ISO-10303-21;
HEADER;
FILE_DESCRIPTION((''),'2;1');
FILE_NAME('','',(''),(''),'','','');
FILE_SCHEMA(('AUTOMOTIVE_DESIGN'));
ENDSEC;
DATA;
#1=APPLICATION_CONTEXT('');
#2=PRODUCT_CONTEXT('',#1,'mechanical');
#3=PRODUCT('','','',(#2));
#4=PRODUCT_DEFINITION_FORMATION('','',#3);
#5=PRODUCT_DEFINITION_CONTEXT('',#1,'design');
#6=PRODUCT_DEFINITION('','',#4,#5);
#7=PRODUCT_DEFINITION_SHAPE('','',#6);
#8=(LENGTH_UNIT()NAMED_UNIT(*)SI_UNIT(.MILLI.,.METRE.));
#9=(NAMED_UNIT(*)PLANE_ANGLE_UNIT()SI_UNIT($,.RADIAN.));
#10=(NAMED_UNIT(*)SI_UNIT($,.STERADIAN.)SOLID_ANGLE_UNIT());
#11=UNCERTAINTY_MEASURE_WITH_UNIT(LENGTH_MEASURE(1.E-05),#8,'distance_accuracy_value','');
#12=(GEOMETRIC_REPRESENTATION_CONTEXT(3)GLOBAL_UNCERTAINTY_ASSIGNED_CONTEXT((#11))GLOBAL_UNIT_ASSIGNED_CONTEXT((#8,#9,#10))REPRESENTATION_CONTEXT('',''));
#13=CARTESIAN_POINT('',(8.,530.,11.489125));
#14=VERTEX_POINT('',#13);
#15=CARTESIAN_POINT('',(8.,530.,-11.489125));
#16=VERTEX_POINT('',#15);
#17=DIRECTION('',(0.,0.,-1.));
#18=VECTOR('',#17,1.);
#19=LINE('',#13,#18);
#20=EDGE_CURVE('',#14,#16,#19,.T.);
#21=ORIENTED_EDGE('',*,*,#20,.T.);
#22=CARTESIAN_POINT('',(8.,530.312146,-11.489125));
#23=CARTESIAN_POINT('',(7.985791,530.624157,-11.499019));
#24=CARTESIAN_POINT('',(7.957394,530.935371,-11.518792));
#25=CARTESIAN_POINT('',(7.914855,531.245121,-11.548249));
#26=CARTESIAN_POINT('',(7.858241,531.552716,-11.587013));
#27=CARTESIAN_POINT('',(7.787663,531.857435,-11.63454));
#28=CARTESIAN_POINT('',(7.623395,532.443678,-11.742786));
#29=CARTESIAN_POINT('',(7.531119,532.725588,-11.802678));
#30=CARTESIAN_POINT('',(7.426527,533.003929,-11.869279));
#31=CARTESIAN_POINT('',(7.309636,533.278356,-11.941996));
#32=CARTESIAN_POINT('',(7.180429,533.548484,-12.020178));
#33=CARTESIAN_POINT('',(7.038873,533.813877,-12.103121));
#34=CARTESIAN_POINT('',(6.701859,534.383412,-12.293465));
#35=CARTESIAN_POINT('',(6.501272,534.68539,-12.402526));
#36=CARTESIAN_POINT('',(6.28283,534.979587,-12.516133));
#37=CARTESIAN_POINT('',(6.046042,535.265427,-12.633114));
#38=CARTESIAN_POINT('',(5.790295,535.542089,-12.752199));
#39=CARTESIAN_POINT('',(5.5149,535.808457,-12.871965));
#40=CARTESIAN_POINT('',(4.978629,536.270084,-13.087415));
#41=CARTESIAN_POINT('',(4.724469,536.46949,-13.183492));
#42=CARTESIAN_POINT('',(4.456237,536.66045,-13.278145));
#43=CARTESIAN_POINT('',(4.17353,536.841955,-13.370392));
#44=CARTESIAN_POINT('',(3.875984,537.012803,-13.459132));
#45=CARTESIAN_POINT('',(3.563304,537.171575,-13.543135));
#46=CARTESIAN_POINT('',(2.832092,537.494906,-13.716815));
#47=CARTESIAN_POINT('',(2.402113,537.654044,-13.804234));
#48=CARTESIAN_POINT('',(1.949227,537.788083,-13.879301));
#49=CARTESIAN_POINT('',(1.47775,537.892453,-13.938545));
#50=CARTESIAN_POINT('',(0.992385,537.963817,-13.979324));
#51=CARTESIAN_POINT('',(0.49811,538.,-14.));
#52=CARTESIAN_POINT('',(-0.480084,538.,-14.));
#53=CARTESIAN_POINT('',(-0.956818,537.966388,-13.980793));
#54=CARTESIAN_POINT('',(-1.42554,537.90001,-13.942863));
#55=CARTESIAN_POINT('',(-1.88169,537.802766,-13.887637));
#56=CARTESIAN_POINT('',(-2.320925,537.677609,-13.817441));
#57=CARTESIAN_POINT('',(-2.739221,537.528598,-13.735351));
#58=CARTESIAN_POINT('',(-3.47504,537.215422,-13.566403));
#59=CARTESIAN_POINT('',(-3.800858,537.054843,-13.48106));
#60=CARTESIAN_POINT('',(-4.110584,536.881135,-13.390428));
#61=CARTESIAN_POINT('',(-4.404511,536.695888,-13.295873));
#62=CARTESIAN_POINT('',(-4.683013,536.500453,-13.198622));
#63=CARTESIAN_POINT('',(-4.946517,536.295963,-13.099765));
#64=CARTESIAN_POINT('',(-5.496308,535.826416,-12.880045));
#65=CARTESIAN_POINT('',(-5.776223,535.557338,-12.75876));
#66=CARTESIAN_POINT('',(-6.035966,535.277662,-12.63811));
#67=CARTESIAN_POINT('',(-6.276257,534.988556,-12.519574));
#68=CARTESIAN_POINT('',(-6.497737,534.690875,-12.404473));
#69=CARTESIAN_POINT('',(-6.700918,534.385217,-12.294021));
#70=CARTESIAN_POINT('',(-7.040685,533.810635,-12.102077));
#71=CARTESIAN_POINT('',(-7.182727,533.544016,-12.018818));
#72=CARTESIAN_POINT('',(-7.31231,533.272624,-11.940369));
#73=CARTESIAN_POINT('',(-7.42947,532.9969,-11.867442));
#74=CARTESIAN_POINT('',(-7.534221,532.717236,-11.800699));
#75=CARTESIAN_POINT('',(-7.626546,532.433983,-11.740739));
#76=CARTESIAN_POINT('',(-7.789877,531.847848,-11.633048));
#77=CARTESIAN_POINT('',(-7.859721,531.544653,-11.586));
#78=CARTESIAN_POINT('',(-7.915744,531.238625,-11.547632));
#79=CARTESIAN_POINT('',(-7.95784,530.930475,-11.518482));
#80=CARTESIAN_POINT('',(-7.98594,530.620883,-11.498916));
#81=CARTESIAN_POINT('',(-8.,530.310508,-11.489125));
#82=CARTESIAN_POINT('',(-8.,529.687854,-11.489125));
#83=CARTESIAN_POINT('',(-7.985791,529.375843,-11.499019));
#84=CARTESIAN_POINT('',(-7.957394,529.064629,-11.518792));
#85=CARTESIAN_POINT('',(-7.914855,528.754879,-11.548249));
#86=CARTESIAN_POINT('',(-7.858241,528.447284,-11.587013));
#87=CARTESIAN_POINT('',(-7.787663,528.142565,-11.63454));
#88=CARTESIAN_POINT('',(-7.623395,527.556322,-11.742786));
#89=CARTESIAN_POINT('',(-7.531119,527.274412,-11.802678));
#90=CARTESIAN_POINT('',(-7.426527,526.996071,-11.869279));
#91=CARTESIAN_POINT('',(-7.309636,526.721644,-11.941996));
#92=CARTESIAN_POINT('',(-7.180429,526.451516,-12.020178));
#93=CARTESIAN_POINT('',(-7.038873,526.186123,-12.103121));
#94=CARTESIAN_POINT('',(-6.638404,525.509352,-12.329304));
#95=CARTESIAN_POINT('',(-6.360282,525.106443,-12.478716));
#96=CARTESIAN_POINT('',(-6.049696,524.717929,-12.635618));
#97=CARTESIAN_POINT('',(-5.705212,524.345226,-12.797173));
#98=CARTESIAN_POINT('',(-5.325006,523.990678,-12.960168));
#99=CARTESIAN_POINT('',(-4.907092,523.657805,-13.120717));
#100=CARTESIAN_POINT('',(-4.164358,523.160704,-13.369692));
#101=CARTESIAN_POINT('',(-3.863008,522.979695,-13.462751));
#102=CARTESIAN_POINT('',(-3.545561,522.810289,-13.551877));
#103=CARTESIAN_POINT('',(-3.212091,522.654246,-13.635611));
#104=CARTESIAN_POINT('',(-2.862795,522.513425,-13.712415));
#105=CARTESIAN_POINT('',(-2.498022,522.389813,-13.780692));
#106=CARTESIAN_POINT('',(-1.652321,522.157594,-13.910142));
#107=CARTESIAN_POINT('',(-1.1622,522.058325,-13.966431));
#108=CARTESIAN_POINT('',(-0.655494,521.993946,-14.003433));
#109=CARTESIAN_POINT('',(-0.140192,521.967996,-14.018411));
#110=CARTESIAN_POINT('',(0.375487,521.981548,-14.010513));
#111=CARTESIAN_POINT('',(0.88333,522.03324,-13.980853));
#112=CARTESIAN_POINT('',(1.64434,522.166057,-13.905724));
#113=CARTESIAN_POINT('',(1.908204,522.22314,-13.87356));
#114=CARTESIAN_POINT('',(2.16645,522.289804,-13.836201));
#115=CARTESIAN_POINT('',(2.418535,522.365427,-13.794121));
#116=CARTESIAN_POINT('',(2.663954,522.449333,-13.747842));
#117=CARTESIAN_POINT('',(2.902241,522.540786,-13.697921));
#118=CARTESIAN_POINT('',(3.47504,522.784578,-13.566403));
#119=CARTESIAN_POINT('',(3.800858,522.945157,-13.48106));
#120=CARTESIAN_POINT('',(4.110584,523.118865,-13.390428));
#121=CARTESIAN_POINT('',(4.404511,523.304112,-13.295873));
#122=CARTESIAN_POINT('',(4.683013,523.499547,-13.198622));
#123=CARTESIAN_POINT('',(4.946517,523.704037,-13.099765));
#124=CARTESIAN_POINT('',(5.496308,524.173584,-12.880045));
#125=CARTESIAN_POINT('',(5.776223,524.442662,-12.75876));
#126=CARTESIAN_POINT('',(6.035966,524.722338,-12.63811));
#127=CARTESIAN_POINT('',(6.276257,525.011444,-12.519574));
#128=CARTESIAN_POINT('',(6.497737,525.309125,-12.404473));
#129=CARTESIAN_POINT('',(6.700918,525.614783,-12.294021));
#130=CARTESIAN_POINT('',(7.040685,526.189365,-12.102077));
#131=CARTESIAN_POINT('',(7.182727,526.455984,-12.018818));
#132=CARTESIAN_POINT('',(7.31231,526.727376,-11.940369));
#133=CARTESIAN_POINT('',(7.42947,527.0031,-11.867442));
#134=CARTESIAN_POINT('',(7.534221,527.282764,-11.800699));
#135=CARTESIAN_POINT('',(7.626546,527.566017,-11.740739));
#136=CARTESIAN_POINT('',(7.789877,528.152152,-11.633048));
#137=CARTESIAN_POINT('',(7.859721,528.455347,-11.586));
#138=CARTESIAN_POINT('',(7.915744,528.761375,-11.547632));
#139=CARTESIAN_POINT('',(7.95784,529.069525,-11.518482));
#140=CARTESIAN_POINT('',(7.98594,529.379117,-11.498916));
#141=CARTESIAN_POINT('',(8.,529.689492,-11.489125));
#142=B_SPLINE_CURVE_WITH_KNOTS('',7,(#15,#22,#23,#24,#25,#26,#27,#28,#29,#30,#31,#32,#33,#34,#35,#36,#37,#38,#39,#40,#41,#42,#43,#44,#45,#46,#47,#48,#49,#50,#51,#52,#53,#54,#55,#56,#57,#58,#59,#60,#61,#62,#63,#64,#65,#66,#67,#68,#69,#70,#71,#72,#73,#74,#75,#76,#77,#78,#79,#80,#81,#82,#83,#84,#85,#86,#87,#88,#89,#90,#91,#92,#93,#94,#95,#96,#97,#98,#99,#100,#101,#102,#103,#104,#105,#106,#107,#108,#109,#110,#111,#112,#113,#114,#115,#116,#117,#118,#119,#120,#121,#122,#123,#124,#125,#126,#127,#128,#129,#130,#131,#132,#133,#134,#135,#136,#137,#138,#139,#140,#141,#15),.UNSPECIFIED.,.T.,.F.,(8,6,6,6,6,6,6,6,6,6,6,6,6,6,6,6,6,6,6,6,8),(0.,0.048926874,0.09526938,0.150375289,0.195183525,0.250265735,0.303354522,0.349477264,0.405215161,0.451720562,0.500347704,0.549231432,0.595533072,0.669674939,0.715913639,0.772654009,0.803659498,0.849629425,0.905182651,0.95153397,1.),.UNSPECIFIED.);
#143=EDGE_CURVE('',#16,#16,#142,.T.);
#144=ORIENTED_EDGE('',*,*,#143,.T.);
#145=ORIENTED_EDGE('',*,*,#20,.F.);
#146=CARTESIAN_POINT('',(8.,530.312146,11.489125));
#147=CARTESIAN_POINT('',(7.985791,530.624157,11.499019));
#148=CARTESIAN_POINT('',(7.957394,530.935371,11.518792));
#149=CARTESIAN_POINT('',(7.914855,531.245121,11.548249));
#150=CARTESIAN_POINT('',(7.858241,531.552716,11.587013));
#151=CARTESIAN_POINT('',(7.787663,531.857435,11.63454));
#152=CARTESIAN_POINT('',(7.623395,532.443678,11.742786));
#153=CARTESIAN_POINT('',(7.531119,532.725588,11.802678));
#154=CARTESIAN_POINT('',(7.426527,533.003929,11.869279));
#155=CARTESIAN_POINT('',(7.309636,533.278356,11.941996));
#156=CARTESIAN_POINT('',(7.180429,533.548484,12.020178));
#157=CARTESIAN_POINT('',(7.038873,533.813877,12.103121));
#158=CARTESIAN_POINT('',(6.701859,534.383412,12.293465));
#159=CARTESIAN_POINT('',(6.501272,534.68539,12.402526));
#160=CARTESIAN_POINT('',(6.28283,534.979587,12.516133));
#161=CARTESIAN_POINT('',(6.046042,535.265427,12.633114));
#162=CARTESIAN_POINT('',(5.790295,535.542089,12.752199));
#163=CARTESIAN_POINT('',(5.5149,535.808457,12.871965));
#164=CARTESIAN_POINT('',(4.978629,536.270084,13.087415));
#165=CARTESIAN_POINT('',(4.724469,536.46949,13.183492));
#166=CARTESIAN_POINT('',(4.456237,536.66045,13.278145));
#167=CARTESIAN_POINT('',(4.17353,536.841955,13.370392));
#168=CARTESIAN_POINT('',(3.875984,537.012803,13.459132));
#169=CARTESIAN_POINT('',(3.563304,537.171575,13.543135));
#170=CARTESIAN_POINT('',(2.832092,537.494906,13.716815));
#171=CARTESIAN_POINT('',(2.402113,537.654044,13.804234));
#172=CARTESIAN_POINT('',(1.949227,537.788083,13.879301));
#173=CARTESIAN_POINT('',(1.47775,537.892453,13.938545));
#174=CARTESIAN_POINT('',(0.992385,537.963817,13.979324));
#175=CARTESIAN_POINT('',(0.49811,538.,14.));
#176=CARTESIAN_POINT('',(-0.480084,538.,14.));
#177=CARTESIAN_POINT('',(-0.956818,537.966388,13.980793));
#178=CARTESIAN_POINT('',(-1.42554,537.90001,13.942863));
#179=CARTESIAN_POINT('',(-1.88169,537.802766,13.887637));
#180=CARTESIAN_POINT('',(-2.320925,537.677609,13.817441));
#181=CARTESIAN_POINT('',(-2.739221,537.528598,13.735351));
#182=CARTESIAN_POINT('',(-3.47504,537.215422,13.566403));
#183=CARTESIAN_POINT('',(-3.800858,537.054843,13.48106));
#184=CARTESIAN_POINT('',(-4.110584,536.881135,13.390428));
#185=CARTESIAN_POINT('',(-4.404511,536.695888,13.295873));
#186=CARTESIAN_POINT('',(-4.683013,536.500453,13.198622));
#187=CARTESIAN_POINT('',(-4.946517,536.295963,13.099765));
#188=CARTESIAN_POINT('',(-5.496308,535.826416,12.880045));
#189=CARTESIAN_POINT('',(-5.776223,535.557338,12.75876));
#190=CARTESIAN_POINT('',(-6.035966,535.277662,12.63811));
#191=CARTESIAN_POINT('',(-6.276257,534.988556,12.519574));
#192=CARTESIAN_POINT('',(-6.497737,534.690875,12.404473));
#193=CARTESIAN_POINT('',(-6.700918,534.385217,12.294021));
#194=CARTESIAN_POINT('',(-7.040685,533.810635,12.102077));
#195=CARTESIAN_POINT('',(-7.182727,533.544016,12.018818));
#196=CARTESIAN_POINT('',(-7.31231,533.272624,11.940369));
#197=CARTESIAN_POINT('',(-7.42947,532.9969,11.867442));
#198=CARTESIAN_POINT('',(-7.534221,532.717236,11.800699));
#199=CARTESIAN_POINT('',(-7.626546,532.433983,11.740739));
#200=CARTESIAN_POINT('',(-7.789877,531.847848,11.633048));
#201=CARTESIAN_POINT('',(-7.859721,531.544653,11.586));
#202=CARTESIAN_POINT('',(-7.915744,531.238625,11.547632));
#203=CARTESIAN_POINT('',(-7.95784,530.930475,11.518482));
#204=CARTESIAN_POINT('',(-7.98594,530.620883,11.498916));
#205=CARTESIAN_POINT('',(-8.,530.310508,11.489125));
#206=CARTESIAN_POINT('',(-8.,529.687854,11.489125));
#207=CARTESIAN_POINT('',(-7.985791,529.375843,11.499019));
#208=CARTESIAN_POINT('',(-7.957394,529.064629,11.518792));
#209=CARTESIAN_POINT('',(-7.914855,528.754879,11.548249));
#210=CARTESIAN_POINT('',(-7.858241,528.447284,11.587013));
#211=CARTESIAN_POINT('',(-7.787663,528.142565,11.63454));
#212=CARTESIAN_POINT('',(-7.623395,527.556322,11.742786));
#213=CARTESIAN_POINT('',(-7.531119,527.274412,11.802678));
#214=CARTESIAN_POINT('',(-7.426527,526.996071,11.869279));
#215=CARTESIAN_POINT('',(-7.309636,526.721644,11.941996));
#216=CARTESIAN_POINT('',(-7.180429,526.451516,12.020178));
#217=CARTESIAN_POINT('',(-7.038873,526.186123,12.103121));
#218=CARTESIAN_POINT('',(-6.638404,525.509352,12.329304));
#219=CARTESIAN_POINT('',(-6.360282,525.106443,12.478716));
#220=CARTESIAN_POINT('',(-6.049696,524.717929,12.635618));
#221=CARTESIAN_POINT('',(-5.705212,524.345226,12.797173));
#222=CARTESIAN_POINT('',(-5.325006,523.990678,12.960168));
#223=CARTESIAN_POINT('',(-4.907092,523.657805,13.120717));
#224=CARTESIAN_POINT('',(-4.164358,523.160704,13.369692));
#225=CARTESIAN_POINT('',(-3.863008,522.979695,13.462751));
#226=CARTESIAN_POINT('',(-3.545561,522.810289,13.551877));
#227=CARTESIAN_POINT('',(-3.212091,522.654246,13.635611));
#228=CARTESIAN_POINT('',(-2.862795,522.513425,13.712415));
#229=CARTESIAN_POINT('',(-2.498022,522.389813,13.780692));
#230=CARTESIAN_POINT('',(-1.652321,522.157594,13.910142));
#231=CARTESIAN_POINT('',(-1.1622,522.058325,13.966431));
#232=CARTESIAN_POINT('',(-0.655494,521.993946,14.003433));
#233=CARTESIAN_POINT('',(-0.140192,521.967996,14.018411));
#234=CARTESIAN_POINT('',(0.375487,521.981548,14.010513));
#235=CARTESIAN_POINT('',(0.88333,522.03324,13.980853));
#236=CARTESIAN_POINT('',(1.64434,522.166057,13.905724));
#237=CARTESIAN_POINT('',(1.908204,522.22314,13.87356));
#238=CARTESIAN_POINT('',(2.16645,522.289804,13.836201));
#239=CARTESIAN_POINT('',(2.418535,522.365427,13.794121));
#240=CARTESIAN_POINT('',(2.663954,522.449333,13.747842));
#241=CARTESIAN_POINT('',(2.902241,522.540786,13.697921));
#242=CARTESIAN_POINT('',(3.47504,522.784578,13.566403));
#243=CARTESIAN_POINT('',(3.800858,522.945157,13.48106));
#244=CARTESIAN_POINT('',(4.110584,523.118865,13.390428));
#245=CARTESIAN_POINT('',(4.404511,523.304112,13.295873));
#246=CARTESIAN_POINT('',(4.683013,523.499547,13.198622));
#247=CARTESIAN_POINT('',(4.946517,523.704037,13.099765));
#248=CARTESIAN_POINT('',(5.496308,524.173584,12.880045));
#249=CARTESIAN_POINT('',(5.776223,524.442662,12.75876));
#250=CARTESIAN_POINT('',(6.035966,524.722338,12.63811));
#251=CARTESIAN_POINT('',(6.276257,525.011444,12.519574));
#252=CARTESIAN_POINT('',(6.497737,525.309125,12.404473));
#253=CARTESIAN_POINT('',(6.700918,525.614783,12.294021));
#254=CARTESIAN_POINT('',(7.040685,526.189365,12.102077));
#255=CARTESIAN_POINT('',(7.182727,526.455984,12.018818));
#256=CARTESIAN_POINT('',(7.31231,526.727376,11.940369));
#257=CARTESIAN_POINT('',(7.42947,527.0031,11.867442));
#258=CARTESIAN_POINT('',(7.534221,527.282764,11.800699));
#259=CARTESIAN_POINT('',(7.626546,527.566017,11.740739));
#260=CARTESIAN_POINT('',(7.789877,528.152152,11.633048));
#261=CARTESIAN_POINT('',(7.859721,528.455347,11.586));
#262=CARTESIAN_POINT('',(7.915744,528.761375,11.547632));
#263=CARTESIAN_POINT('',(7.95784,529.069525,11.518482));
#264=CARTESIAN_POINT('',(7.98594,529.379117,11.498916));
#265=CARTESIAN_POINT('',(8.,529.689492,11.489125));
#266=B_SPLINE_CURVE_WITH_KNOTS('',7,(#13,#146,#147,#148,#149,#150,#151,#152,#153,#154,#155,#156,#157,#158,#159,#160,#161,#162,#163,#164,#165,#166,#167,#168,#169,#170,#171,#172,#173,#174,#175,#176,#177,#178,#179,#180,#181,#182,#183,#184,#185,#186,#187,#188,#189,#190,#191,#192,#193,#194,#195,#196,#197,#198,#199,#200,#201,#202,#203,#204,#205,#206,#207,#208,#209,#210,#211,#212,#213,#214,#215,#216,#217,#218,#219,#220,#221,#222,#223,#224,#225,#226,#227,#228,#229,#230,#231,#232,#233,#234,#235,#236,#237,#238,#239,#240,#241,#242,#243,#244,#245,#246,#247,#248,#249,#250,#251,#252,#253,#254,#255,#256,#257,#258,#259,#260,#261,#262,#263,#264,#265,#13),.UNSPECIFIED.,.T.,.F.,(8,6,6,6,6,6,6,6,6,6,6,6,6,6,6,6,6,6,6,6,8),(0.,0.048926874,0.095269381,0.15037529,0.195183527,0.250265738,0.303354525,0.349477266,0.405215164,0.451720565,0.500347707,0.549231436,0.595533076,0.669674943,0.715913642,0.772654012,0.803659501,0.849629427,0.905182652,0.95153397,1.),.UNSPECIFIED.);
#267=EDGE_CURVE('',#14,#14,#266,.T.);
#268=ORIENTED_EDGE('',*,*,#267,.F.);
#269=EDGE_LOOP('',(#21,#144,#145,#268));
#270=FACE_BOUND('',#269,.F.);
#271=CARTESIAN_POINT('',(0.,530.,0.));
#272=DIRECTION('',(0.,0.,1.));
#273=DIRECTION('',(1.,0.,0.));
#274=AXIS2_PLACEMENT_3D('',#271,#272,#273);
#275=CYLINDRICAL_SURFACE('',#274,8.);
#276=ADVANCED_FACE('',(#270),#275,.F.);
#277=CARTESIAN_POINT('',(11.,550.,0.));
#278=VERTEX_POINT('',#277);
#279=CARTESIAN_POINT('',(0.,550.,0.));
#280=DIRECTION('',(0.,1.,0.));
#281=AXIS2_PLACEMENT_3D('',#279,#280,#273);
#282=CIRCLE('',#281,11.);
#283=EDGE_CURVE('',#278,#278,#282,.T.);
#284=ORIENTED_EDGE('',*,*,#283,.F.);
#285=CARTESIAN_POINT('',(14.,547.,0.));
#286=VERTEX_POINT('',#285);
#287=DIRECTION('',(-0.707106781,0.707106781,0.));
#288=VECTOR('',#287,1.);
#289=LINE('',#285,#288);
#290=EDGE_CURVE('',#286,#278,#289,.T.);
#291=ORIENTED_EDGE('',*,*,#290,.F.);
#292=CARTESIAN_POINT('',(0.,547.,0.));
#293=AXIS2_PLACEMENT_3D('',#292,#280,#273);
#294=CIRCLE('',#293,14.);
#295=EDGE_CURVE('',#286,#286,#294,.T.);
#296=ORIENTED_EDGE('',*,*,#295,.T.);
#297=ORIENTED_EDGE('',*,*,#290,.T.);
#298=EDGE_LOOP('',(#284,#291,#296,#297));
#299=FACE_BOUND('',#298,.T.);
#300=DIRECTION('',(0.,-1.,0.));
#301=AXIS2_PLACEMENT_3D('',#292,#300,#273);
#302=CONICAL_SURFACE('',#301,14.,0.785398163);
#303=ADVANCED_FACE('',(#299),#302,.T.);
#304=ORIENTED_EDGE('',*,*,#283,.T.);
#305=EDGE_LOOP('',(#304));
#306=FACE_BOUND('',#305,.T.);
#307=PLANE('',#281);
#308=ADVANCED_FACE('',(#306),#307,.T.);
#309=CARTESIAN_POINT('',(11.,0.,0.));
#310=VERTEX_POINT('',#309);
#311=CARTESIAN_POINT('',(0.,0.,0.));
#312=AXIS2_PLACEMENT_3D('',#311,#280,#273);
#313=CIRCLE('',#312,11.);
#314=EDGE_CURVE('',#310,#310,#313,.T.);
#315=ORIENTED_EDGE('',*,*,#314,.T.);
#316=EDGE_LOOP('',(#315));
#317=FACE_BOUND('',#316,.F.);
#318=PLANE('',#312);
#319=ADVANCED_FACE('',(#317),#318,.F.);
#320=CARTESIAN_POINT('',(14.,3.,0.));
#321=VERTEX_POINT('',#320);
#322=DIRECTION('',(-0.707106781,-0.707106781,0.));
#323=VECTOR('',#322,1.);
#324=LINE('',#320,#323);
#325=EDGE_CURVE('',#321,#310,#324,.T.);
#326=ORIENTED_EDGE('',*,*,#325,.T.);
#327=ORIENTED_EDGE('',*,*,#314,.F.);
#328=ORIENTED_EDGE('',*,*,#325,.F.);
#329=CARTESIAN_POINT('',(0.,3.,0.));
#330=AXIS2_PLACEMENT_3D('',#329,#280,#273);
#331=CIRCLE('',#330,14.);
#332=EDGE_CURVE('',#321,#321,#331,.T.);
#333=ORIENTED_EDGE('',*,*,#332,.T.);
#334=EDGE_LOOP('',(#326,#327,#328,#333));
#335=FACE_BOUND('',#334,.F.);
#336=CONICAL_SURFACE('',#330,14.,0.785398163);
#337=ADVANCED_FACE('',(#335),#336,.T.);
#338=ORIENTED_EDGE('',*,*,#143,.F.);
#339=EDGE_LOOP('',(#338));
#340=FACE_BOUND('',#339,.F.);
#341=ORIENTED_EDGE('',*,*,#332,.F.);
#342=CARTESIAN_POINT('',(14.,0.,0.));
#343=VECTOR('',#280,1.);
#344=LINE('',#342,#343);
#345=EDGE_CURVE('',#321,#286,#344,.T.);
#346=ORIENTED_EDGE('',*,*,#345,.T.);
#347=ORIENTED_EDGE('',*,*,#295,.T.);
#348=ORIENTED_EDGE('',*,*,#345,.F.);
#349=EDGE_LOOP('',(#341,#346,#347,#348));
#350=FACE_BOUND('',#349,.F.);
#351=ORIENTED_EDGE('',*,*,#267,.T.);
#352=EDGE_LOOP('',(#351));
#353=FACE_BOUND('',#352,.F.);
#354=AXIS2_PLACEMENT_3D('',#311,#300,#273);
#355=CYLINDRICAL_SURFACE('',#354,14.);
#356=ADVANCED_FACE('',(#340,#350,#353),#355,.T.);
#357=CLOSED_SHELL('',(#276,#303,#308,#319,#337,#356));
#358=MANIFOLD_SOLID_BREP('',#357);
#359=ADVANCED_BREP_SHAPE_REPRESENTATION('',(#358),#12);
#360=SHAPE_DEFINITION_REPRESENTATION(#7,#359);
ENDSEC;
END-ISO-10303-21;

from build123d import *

# Parameters (mm, degrees)
SKETCH1_R               = 14
BOSS_EXTRUDE1_DEPTH     = 550
SKETCH2_R               = 8
CUT_EXTRUDE1_DEPTH      = 15
CUT_EXTRUDE1_DEPTH_BACK = 15
CHAMFER1_SIZE           = 3


with BuildPart() as part:
    # Sketch1 → Boss-Extrude1 (new body)
    with BuildSketch(Plane(origin=(0, 0, 0), x_dir=(1, 0, 0), z_dir=(0, 1, 0))):
        Circle(SKETCH1_R)
    extrude(amount=BOSS_EXTRUDE1_DEPTH)

    # Sketch2 → Cut-Extrude1 (cut, two sides)
    with BuildSketch(Plane.XY) as cut_extrude1_sk:
        with Locations((0, 530)):
            Circle(SKETCH2_R)
    extrude(amount=CUT_EXTRUDE1_DEPTH, mode=Mode.SUBTRACT)
    extrude(cut_extrude1_sk.sketch, amount=-CUT_EXTRUDE1_DEPTH_BACK, mode=Mode.SUBTRACT)

    # Chamfer1
    chamfer1_edges = [part.edges().sort_by_distance(p)[0] for p in [
        (-14, 0, 0),
        (-14, 550, 0),
    ]]
    chamfer(chamfer1_edges, length=CHAMFER1_SIZE)


solid = part.part
